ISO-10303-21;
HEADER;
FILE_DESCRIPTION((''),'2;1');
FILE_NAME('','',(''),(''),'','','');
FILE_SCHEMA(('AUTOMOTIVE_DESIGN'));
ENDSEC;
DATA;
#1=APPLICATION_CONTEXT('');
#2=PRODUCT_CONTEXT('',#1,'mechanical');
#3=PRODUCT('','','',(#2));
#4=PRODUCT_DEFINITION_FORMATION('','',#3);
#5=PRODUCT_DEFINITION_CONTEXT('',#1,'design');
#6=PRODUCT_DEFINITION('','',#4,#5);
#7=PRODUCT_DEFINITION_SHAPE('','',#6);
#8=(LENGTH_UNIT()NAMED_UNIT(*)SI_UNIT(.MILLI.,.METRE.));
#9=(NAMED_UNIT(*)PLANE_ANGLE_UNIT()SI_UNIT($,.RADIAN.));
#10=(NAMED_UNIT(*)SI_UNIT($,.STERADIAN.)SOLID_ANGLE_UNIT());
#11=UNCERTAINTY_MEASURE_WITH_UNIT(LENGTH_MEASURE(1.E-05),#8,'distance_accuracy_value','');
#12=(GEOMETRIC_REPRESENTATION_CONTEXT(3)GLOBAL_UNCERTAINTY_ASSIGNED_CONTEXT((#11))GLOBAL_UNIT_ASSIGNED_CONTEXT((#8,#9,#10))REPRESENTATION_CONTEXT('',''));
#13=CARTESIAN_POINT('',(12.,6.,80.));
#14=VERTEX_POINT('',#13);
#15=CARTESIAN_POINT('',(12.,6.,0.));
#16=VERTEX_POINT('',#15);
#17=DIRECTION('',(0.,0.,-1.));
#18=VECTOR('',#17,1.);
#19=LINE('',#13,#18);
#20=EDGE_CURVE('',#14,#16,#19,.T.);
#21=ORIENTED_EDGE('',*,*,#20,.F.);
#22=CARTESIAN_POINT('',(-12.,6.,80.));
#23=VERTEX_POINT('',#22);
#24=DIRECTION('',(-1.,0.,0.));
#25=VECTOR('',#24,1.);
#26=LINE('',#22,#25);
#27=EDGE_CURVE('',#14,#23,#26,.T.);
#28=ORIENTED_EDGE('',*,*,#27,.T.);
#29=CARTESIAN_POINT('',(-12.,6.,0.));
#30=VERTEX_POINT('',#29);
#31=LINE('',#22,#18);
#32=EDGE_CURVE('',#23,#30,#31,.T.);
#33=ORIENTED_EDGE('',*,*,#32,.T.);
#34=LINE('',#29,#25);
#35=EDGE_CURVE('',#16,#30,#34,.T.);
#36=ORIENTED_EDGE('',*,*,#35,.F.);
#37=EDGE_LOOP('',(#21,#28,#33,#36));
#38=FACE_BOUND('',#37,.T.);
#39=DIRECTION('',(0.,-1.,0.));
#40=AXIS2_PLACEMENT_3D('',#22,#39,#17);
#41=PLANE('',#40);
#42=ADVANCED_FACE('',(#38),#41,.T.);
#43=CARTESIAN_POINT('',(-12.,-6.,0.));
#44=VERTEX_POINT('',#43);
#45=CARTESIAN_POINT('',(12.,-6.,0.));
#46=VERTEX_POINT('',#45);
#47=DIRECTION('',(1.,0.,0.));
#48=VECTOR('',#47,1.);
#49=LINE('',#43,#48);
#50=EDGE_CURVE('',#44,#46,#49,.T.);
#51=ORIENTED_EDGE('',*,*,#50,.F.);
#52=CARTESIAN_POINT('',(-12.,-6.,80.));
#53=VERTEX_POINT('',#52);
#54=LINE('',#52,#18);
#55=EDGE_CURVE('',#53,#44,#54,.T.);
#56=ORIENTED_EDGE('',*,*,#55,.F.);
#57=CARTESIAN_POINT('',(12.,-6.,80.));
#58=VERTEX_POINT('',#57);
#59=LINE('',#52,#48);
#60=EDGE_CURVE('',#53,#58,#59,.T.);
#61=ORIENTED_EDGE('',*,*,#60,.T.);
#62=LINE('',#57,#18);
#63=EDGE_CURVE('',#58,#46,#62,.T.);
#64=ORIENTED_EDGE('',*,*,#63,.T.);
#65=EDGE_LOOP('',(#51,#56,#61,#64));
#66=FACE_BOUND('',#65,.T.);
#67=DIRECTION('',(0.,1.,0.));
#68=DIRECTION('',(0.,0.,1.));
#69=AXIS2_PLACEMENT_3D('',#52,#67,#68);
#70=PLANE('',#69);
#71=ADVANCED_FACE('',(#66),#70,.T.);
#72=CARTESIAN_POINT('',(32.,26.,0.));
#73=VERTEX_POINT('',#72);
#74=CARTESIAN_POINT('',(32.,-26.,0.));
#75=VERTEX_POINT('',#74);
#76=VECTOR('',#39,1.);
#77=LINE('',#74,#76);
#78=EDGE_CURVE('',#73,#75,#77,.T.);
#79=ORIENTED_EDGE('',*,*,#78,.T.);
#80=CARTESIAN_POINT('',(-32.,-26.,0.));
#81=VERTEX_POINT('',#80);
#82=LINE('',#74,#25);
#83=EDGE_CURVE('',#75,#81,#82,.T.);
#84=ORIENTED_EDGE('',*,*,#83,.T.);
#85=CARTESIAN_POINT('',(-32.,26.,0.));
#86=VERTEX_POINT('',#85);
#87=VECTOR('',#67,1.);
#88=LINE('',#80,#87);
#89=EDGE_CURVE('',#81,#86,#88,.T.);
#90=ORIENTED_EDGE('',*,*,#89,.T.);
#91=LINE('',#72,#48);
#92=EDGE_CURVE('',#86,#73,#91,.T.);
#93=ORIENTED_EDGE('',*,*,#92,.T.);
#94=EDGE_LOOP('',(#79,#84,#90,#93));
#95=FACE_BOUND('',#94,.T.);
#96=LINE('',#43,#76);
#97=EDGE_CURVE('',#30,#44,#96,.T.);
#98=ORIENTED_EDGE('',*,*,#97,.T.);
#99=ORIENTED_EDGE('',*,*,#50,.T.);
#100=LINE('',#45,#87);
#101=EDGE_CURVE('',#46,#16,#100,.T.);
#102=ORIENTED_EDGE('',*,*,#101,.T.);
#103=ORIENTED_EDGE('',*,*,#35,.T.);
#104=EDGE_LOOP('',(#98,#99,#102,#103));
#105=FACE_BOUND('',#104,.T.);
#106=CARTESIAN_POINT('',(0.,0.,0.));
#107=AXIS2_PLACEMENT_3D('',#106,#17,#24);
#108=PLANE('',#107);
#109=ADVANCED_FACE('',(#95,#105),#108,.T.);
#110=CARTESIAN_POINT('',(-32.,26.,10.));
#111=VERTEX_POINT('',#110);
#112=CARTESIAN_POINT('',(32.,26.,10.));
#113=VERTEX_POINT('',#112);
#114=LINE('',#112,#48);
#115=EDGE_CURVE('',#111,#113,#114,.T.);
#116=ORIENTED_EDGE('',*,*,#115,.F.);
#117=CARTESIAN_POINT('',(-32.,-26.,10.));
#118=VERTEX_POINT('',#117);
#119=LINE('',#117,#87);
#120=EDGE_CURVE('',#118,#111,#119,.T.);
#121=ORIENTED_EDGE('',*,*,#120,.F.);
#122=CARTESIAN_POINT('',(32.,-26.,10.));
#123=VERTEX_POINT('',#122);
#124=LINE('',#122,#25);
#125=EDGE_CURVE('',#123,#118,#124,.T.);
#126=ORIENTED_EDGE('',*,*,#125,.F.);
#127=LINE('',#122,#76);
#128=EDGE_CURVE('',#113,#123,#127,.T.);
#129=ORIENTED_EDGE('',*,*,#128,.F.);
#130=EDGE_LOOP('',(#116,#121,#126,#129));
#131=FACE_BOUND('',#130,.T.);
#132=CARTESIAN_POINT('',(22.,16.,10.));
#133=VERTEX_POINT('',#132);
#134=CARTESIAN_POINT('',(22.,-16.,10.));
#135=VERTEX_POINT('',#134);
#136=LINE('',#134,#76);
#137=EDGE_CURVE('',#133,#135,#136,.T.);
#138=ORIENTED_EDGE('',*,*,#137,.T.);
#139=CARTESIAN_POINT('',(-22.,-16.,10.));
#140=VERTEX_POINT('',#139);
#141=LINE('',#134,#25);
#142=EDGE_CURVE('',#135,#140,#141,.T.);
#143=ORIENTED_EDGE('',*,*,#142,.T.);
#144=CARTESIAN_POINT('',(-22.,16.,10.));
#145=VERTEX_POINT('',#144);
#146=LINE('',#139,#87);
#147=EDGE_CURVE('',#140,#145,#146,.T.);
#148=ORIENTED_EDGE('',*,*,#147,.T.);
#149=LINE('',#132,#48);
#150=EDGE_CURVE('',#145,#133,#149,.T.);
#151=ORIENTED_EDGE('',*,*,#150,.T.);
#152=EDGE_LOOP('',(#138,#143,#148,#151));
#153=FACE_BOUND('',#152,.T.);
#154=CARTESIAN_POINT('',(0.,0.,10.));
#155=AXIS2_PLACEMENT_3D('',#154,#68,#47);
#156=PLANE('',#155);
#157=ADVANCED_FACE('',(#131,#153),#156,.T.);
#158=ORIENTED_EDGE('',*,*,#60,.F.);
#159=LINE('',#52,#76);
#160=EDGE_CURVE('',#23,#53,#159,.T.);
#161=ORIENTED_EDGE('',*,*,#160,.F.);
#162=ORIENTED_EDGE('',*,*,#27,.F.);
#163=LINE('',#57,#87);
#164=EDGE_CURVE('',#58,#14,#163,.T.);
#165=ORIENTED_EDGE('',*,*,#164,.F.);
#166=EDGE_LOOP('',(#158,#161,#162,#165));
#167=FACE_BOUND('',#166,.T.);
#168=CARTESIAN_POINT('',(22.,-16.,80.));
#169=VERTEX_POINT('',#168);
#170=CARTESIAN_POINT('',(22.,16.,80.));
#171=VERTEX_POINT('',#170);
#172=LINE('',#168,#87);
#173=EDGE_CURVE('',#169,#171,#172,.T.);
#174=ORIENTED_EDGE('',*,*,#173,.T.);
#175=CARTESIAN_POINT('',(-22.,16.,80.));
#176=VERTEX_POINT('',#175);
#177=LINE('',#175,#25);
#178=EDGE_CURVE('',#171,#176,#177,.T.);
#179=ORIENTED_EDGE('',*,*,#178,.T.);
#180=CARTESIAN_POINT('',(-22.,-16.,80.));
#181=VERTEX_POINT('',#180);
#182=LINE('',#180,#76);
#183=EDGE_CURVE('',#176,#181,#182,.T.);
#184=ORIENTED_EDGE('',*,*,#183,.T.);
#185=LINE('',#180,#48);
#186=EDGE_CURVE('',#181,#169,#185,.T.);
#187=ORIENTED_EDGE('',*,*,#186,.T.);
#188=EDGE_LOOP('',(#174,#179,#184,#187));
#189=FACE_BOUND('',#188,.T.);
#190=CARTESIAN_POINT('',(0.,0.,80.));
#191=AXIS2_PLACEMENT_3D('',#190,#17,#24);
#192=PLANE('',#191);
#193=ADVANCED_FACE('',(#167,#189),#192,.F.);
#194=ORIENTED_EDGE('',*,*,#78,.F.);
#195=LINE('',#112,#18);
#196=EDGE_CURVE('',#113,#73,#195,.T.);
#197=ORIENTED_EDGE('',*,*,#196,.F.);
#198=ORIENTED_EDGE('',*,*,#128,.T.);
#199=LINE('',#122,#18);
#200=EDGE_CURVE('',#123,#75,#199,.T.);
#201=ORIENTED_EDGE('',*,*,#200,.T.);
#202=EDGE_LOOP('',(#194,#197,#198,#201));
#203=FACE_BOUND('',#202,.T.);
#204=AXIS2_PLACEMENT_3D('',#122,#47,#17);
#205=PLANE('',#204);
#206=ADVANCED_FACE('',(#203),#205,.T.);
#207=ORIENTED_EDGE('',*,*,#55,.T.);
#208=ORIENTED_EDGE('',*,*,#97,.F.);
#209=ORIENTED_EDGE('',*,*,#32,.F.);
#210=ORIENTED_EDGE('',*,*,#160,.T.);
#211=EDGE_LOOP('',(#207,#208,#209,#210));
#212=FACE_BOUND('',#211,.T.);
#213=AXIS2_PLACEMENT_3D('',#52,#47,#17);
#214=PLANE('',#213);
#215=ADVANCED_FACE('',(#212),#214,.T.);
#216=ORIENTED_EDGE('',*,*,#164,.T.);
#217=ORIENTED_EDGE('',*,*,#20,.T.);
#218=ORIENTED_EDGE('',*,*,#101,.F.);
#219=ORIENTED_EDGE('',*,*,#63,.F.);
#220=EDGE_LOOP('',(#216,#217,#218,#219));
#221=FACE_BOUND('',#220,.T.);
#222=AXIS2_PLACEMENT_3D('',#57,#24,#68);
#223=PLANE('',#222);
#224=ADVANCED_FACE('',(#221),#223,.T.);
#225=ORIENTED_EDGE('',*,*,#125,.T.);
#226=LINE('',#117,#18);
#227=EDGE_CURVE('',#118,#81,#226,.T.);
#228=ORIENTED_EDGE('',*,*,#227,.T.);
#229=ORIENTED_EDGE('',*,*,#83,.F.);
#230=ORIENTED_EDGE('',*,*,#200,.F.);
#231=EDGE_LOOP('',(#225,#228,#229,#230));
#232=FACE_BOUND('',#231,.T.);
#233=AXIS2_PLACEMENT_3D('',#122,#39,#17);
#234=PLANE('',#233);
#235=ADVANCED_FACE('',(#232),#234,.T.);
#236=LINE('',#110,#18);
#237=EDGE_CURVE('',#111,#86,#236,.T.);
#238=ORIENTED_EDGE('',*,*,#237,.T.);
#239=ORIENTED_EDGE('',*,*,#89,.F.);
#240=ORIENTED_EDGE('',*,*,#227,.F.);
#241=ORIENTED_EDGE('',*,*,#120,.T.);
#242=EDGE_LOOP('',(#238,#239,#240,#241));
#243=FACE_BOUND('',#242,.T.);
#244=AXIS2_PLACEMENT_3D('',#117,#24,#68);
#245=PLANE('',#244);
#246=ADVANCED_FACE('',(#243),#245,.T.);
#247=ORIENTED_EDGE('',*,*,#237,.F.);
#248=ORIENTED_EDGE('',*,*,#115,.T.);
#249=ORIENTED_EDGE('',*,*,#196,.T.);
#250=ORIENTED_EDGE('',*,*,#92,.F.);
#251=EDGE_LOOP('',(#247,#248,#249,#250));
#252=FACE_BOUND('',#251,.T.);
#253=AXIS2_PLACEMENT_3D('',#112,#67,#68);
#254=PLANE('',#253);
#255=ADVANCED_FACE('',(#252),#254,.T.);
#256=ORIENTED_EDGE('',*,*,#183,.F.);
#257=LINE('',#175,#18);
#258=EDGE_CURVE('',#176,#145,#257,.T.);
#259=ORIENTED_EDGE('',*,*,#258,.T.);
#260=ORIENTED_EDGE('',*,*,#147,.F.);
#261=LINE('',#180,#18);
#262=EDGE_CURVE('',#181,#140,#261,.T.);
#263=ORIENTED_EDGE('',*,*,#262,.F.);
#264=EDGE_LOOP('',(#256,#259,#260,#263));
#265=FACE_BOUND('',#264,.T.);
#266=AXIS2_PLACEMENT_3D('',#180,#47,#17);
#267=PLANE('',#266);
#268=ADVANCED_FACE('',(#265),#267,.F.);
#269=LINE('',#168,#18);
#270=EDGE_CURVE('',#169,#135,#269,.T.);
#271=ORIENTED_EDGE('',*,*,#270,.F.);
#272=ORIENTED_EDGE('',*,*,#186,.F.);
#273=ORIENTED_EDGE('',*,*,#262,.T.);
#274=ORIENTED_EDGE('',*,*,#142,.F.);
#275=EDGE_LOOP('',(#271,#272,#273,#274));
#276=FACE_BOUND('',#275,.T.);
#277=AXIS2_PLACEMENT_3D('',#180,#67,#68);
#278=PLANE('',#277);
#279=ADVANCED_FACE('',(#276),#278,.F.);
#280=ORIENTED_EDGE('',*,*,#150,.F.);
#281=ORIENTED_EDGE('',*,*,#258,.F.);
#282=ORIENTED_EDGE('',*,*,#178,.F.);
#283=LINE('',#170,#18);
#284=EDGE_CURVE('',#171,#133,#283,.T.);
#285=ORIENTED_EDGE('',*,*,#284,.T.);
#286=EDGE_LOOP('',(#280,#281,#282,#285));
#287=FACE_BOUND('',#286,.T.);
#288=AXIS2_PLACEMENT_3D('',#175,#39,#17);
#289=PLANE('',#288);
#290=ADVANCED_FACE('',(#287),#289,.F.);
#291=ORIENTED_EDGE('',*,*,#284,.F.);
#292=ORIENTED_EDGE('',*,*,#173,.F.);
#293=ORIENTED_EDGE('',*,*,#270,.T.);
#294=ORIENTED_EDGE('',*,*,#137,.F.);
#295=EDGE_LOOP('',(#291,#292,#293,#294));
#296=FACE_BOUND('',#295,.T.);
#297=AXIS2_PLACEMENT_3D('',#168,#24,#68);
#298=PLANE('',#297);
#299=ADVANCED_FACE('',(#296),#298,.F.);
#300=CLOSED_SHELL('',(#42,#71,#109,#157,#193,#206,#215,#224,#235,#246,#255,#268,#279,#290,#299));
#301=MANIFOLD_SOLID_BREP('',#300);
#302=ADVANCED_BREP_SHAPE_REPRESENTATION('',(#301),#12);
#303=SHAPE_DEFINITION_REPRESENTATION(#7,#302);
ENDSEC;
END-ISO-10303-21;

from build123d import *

# Parameters (mm, degrees)
SKETCH_1_W      = 44
SKETCH_1_H      = 32
SKETCH_1_W_2    = 24
SKETCH_1_H_2    = 12
EXTRUDE_1_DEPTH = 80
SKETCH_2_W      = 64
SKETCH_2_H      = 52
SKETCH_2_W_2    = 44
SKETCH_2_H_2    = 32
EXTRUDE_2_DEPTH = 10


with BuildPart() as part:
    # 草图1 → 凸台-拉伸1 (new body)
    with BuildSketch(Plane.XY):
        Rectangle(SKETCH_1_W, SKETCH_1_H)
        Rectangle(SKETCH_1_W_2, SKETCH_1_H_2, mode=Mode.SUBTRACT)
    extrude(amount=EXTRUDE_1_DEPTH)

    # 草图2 → 凸台-拉伸2 (add)
    with BuildSketch(Plane(origin=(0, 0, 0), x_dir=(-1, 0, 0), z_dir=(0, 0, -1))):
        Rectangle(SKETCH_2_W, SKETCH_2_H)
        Rectangle(SKETCH_2_W_2, SKETCH_2_H_2, mode=Mode.SUBTRACT)
    extrude(amount=-EXTRUDE_2_DEPTH)


solid = part.part
